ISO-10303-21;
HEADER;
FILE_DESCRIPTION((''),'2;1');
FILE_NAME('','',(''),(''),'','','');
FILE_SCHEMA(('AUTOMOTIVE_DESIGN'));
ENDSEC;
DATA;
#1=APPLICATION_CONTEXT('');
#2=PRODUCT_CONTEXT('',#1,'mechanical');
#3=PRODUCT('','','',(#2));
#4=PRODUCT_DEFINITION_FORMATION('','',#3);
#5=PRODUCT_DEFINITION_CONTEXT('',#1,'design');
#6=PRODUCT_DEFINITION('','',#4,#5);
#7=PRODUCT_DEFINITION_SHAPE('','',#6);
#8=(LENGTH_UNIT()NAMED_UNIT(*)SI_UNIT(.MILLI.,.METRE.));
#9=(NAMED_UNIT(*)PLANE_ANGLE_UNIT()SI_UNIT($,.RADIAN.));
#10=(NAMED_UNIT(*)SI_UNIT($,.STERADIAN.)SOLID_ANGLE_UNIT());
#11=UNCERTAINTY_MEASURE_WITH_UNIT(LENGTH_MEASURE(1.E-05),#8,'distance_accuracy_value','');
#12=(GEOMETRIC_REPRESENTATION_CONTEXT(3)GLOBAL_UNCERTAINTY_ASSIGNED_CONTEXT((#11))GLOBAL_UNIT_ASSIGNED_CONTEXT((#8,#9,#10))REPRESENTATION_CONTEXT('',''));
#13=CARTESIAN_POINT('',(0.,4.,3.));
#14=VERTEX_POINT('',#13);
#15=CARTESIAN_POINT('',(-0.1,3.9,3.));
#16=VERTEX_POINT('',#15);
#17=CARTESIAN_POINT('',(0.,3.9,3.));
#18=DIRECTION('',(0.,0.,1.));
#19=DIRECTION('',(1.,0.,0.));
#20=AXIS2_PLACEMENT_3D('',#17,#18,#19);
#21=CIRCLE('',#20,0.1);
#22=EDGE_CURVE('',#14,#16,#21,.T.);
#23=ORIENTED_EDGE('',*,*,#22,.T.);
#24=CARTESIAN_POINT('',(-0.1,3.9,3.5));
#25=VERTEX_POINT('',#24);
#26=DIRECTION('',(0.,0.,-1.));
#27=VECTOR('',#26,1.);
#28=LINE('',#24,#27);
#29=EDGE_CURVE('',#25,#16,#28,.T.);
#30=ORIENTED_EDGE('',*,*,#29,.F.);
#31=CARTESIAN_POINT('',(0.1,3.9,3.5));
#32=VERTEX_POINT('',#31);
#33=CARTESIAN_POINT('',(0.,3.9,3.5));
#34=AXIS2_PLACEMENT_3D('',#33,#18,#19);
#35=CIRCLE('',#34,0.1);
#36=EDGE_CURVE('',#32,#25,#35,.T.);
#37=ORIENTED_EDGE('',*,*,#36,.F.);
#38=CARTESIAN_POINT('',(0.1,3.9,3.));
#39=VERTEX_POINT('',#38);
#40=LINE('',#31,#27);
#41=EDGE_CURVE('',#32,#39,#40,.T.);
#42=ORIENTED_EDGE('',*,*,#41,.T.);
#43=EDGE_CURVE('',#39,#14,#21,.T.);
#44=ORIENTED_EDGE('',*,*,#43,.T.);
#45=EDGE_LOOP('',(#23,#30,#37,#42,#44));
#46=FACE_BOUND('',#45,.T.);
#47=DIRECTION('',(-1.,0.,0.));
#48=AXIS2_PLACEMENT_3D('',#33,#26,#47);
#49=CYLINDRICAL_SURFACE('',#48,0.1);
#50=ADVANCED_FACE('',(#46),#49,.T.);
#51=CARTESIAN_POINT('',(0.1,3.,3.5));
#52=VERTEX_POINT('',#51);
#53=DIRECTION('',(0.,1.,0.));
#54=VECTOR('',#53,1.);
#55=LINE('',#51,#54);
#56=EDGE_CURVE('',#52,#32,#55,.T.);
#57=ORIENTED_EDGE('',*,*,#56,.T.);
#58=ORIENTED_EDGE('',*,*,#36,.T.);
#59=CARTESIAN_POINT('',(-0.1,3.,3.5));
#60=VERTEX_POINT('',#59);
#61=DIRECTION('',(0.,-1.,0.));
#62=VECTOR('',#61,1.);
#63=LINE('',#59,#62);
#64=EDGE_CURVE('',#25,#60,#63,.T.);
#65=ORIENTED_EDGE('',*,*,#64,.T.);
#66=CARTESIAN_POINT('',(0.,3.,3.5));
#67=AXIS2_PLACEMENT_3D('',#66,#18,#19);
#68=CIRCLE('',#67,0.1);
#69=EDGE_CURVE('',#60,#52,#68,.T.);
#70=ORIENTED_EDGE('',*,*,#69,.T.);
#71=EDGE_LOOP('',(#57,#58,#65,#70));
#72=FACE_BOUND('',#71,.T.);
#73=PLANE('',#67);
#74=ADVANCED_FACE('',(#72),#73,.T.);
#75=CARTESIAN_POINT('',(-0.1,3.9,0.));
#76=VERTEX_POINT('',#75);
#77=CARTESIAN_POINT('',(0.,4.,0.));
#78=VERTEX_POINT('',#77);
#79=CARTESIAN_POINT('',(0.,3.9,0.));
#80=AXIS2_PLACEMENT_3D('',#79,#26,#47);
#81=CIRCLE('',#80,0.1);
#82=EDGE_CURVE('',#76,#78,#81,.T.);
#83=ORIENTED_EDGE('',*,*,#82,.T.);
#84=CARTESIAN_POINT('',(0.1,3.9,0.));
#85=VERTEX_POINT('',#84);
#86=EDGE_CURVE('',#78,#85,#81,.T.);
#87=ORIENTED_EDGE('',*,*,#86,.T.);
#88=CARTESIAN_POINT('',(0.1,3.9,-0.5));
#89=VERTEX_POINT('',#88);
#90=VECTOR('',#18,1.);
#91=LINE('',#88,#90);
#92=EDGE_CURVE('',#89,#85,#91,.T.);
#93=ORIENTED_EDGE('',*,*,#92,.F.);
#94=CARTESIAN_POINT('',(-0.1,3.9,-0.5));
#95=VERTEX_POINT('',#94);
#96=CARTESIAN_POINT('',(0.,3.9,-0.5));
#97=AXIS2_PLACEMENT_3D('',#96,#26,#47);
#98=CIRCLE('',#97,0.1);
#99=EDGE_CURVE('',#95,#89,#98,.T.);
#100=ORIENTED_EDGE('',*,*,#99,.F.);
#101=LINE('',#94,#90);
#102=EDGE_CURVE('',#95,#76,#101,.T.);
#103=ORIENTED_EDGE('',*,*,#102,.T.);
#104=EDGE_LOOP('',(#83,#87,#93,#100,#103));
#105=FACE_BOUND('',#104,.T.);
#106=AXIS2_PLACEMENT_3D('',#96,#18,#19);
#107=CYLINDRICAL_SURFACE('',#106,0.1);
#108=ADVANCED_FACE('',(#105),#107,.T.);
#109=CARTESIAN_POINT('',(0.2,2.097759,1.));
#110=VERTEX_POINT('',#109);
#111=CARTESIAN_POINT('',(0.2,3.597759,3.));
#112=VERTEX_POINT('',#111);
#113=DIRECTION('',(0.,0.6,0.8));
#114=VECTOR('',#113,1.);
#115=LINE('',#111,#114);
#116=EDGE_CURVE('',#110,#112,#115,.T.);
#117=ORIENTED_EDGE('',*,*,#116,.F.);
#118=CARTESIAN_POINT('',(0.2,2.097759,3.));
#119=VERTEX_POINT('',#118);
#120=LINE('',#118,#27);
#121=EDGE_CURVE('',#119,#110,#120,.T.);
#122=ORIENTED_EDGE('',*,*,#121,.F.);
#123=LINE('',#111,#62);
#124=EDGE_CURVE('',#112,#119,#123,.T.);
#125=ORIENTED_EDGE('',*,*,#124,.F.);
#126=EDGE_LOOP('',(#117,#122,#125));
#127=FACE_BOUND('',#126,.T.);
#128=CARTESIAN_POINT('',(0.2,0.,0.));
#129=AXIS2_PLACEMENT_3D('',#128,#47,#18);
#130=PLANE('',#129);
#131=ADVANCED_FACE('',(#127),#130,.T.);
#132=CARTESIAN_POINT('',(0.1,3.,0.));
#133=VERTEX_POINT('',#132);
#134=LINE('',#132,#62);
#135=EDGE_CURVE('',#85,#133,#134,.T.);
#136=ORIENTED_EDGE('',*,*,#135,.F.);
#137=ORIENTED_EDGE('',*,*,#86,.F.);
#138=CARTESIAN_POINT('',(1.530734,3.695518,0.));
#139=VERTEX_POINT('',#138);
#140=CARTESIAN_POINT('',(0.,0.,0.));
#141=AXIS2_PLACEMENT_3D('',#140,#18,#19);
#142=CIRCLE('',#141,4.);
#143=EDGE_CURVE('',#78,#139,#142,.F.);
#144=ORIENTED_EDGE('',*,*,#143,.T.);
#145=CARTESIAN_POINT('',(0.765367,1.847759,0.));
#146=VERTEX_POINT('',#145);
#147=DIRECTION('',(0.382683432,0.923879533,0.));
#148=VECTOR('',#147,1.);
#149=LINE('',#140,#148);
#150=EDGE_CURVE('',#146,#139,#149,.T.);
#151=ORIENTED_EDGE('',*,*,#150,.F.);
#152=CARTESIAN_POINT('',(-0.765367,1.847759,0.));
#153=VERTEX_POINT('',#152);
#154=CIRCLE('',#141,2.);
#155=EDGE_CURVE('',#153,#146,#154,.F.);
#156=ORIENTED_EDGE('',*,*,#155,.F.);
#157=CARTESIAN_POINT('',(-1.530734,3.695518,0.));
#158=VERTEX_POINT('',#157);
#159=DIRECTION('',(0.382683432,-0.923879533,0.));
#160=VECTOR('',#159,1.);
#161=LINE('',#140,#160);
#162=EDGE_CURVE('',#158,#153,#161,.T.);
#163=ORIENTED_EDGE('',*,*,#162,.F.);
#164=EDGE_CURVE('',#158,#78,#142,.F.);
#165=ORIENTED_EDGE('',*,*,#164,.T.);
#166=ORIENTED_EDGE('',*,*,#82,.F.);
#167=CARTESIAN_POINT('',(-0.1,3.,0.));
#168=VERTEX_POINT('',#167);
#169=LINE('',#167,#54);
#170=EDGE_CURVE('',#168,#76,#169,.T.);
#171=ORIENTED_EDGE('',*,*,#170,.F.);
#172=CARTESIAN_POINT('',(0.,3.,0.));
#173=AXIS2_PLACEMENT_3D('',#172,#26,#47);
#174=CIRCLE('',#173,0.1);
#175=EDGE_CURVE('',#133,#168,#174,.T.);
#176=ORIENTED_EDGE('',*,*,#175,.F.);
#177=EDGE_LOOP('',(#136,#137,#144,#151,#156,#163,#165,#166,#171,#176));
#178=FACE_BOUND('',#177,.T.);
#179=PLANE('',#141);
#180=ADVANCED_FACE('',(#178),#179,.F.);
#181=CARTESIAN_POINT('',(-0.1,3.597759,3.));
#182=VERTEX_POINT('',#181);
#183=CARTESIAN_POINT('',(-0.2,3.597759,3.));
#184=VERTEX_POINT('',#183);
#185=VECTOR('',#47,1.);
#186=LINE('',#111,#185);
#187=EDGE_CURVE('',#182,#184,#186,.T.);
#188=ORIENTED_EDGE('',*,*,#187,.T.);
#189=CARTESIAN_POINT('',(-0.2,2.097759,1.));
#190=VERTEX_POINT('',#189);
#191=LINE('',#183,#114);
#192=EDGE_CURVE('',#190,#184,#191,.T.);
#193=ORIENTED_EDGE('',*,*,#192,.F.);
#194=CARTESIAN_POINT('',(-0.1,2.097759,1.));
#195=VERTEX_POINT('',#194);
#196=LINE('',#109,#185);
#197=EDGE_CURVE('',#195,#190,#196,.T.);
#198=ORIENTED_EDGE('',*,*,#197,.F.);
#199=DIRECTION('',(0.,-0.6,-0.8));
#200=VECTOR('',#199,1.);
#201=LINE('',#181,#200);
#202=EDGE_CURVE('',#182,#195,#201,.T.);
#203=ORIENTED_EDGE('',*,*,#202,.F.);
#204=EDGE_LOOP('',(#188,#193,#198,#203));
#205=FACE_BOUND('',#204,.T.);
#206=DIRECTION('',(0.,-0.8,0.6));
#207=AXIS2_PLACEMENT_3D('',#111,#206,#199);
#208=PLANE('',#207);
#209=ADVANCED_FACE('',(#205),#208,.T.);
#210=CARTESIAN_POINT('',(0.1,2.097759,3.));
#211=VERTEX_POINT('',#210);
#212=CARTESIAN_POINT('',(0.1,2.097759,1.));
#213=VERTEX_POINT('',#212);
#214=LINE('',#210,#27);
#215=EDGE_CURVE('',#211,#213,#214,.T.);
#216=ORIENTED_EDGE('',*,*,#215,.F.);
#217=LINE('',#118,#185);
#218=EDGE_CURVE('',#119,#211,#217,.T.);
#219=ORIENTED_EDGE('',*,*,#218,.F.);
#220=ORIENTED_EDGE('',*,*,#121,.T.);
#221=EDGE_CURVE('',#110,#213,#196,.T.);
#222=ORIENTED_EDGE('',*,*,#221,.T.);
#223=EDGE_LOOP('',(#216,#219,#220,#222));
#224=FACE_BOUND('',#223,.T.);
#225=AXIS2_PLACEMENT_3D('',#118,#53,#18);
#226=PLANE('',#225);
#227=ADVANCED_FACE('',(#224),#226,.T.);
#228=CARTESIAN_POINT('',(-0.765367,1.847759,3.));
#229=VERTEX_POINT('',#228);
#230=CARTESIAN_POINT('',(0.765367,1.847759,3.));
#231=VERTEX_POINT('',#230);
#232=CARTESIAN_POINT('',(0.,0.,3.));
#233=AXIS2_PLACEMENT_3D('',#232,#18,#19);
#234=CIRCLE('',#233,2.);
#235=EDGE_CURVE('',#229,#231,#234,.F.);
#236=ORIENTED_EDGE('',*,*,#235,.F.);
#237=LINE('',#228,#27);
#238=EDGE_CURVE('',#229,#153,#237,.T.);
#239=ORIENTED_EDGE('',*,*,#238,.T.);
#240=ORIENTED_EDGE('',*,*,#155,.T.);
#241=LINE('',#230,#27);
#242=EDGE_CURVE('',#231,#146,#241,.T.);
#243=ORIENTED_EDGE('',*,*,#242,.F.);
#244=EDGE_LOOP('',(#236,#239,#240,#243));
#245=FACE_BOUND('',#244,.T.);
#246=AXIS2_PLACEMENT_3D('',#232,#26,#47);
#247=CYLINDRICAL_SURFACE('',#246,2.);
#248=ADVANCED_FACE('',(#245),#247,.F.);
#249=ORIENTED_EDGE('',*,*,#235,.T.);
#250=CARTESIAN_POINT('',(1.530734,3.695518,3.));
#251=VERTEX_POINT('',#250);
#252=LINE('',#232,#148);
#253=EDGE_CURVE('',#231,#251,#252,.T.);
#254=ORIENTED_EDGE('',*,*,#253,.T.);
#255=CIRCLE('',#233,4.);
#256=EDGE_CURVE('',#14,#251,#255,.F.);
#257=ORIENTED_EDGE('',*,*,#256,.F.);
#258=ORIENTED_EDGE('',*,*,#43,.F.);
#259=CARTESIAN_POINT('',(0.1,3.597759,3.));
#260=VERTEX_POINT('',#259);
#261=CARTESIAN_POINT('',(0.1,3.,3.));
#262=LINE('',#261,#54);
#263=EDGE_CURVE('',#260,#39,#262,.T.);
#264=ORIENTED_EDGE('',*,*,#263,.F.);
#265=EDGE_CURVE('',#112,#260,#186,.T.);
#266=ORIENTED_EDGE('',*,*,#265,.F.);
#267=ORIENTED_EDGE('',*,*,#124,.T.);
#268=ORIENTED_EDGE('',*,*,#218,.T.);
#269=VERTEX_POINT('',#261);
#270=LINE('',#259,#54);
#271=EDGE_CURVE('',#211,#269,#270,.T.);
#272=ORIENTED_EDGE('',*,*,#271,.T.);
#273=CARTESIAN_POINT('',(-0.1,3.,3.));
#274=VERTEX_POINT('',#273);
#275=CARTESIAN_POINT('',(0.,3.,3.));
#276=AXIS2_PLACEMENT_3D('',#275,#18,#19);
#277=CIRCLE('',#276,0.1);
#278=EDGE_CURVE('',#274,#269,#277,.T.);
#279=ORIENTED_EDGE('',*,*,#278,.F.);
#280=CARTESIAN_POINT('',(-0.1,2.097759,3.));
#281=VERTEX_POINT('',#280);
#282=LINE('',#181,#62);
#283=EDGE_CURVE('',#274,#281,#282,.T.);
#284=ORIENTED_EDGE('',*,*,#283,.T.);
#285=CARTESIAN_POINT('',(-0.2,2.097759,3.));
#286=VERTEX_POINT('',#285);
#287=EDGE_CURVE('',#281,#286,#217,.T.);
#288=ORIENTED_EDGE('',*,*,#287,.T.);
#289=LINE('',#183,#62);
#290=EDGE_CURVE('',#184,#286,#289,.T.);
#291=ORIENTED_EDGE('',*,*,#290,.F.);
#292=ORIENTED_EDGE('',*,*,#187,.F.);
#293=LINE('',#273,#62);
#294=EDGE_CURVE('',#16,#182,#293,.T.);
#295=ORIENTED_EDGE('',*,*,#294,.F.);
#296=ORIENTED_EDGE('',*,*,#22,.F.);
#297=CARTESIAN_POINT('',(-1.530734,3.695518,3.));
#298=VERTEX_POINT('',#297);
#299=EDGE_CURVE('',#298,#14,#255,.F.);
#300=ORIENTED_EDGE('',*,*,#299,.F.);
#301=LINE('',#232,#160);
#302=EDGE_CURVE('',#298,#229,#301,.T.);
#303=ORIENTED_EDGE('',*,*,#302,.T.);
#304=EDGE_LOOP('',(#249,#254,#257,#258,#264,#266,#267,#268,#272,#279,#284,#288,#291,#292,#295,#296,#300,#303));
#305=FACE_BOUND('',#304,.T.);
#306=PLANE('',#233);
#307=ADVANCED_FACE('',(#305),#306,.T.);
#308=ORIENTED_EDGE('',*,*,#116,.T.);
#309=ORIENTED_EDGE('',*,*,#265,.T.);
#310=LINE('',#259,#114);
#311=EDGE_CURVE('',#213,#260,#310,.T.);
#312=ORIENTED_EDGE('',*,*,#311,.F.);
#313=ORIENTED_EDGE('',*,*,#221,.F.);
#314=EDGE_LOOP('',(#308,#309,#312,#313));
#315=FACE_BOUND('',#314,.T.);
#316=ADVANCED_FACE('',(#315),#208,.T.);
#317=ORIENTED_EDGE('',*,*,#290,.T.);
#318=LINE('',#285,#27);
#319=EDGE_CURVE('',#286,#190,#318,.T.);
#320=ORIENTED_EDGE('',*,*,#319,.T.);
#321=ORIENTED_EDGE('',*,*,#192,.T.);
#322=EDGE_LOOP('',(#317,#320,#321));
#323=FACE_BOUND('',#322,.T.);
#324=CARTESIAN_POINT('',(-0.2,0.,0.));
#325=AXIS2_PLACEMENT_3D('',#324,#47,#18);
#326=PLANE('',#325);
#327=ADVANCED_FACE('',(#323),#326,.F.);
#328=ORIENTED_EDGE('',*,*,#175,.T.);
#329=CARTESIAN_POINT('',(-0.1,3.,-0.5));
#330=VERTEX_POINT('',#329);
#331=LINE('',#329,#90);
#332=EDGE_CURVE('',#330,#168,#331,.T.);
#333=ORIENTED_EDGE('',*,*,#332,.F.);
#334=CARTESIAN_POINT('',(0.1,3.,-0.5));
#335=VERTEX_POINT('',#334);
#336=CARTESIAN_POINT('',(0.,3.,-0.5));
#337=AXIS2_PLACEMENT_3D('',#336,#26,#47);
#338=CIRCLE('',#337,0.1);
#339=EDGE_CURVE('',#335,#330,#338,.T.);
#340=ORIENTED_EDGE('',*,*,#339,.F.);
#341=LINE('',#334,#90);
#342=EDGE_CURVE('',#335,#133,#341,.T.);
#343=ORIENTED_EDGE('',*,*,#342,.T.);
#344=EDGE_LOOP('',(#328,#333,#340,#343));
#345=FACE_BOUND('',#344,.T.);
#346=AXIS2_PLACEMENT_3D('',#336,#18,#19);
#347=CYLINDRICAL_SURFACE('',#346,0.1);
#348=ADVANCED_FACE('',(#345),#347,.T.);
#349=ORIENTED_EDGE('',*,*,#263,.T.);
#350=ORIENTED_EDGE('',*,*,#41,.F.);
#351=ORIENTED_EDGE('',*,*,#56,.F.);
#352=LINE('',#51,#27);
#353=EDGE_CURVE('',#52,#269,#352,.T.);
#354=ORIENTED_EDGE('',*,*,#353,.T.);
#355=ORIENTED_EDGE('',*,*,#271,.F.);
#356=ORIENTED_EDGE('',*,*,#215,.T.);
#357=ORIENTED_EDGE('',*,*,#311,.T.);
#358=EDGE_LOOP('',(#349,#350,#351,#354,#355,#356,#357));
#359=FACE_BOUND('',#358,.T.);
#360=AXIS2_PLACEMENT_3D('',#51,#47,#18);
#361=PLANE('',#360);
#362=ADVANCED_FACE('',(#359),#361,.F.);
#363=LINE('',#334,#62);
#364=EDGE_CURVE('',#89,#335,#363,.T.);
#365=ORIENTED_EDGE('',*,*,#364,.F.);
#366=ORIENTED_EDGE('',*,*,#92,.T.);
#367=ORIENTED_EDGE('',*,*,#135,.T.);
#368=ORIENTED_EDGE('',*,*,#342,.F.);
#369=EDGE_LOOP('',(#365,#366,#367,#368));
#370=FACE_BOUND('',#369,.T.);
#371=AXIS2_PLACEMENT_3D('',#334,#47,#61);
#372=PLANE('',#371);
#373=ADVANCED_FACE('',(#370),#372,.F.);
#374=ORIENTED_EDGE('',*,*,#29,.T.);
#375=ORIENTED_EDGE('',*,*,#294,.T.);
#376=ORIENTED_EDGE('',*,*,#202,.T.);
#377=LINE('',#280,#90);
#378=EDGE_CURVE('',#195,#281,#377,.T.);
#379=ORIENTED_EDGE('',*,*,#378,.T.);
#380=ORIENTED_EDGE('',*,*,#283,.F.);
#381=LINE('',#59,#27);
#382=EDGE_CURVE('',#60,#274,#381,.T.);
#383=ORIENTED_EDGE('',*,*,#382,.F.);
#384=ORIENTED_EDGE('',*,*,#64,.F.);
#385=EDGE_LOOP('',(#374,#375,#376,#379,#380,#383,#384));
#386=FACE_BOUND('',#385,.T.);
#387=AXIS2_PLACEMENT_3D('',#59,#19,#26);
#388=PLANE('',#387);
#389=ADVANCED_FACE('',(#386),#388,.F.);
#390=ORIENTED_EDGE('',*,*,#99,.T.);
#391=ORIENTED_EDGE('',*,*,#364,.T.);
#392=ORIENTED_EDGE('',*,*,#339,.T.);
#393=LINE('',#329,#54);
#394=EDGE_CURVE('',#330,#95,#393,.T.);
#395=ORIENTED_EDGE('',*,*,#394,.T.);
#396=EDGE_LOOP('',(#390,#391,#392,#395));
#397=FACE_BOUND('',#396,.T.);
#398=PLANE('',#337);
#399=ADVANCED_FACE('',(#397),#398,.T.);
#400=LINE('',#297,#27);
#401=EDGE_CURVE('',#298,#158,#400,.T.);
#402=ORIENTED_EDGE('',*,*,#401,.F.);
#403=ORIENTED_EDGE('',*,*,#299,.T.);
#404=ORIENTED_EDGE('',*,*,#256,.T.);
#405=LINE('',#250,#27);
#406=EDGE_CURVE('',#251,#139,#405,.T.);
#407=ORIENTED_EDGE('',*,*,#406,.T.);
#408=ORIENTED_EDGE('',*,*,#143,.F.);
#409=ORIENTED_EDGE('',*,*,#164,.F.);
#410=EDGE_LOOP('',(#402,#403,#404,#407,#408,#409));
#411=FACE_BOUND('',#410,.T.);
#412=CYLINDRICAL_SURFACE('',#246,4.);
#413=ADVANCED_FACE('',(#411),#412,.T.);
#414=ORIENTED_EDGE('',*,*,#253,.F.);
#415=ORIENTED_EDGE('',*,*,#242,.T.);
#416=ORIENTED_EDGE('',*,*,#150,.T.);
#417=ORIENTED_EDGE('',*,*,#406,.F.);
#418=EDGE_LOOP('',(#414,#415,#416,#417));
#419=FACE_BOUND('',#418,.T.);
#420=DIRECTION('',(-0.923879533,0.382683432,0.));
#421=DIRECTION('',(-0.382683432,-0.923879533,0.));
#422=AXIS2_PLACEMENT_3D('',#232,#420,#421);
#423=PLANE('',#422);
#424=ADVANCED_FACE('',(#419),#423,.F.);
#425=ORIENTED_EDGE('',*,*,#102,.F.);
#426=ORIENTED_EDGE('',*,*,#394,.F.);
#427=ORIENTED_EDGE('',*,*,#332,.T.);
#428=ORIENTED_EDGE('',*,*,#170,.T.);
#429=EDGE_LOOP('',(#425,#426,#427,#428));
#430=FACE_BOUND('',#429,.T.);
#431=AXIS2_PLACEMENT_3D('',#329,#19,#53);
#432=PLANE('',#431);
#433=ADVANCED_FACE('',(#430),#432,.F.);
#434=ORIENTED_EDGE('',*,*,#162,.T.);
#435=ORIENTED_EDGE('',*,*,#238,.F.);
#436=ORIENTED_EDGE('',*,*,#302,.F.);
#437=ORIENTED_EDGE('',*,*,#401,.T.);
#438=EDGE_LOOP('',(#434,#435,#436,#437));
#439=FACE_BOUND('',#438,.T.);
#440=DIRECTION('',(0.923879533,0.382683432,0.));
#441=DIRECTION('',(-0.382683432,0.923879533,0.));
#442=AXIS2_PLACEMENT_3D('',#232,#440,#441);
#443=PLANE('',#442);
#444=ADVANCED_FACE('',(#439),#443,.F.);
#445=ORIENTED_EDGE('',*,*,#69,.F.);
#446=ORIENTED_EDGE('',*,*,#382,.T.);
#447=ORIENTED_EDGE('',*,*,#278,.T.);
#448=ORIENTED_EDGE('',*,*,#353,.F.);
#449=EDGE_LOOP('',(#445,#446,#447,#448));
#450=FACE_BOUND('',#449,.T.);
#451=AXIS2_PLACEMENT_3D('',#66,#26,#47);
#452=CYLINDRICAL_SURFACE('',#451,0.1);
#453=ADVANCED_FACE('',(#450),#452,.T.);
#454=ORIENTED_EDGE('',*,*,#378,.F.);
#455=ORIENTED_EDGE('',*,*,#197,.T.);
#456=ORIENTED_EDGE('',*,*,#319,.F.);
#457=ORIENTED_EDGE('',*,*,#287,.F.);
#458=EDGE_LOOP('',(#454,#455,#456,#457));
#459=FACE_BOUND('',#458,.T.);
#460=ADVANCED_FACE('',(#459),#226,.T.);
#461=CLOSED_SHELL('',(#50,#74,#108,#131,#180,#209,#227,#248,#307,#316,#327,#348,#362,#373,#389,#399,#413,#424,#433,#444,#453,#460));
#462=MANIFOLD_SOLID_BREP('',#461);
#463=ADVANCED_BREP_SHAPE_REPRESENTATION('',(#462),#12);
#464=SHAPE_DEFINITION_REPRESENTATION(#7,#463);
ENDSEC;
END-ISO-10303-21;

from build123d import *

# Parameters (mm, degrees)
BOSS_EXTRUDE1_DEPTH     = 3
BOSS_EXTRUDE2_DEPTH     = 0.5
BOSS_EXTRUDE3_START     = 0.5
BOSS_EXTRUDE3_DEPTH     = 0.5
CUT_EXTRUDE2_DEPTH      = 0.1
CUT_EXTRUDE2_DEPTH_BACK = 0.3
SKETCH9_W               = 0.2
SKETCH9_H               = 1.5
BOSS_EXTRUDE5_DEPTH     = 3


with BuildPart() as part:
    # Sketch1 → Boss-Extrude1 (new body)
    with BuildSketch(Plane.XY):
        with BuildLine():
            Line((-1.530733729, 3.69551813), (-0.765366865, 1.847759065))
            ThreePointArc((-0.765366865, 1.847759065), (0, 2), (0.765366865, 1.847759065))
            Line((0.765366865, 1.847759065), (1.530733729, 3.69551813))
            ThreePointArc((1.530733729, 3.69551813), (0, 4), (-1.530733729, 3.69551813))
        make_face()
    extrude(amount=BOSS_EXTRUDE1_DEPTH)

    # Sketch2 → Boss-Extrude2 (add)
    with BuildSketch(Plane.XY.offset(3)):
        with BuildLine():
            Line((-0.1, 3), (-0.1, 3.9))
            ThreePointArc((-0.1, 3.9), (0, 4), (0.1, 3.9))
            Line((0.1, 3.9), (0.1, 3))
            ThreePointArc((0.1, 3), (0, 2.9), (-0.1, 3))
        make_face()
    extrude(amount=BOSS_EXTRUDE2_DEPTH)

    # Sketch3 → Boss-Extrude3 (add)
    with BuildSketch(Plane(origin=(0, 0, 0), x_dir=(-1, 0, 0), z_dir=(0, 0, -1)).offset(BOSS_EXTRUDE3_START)):
        with BuildLine():
            Line((-0.1, 3), (-0.1, 3.9))
            ThreePointArc((-0.1, 3.9), (0, 4), (0.1, 3.9))
            Line((0.1, 3.9), (0.1, 3))
            ThreePointArc((0.1, 3), (0, 2.9), (-0.1, 3))
        make_face()
    extrude(amount=-BOSS_EXTRUDE3_DEPTH)

    # Sketch5 → Cut-Extrude2 (cut, two sides: drawn at the far end of the back side and taken through both)
    with BuildSketch(Plane(origin=(0.1, 0, 0), x_dir=(0, 0, -1), z_dir=(1, 0, 0)).offset(-CUT_EXTRUDE2_DEPTH_BACK)):
        Polygon((-3, 3.597759065), (-3, 2.097759065), (-1, 2.097759065), align=None)
    extrude(amount=CUT_EXTRUDE2_DEPTH + CUT_EXTRUDE2_DEPTH_BACK, mode=Mode.SUBTRACT)

    # Sketch9 → Boss-Extrude5 (add)
    with BuildSketch(Plane.XY.offset(3)):
        with Locations((0, 2.847759065)):
            Rectangle(SKETCH9_W, SKETCH9_H)
    extrude(amount=-BOSS_EXTRUDE5_DEPTH)


solid = part.part
